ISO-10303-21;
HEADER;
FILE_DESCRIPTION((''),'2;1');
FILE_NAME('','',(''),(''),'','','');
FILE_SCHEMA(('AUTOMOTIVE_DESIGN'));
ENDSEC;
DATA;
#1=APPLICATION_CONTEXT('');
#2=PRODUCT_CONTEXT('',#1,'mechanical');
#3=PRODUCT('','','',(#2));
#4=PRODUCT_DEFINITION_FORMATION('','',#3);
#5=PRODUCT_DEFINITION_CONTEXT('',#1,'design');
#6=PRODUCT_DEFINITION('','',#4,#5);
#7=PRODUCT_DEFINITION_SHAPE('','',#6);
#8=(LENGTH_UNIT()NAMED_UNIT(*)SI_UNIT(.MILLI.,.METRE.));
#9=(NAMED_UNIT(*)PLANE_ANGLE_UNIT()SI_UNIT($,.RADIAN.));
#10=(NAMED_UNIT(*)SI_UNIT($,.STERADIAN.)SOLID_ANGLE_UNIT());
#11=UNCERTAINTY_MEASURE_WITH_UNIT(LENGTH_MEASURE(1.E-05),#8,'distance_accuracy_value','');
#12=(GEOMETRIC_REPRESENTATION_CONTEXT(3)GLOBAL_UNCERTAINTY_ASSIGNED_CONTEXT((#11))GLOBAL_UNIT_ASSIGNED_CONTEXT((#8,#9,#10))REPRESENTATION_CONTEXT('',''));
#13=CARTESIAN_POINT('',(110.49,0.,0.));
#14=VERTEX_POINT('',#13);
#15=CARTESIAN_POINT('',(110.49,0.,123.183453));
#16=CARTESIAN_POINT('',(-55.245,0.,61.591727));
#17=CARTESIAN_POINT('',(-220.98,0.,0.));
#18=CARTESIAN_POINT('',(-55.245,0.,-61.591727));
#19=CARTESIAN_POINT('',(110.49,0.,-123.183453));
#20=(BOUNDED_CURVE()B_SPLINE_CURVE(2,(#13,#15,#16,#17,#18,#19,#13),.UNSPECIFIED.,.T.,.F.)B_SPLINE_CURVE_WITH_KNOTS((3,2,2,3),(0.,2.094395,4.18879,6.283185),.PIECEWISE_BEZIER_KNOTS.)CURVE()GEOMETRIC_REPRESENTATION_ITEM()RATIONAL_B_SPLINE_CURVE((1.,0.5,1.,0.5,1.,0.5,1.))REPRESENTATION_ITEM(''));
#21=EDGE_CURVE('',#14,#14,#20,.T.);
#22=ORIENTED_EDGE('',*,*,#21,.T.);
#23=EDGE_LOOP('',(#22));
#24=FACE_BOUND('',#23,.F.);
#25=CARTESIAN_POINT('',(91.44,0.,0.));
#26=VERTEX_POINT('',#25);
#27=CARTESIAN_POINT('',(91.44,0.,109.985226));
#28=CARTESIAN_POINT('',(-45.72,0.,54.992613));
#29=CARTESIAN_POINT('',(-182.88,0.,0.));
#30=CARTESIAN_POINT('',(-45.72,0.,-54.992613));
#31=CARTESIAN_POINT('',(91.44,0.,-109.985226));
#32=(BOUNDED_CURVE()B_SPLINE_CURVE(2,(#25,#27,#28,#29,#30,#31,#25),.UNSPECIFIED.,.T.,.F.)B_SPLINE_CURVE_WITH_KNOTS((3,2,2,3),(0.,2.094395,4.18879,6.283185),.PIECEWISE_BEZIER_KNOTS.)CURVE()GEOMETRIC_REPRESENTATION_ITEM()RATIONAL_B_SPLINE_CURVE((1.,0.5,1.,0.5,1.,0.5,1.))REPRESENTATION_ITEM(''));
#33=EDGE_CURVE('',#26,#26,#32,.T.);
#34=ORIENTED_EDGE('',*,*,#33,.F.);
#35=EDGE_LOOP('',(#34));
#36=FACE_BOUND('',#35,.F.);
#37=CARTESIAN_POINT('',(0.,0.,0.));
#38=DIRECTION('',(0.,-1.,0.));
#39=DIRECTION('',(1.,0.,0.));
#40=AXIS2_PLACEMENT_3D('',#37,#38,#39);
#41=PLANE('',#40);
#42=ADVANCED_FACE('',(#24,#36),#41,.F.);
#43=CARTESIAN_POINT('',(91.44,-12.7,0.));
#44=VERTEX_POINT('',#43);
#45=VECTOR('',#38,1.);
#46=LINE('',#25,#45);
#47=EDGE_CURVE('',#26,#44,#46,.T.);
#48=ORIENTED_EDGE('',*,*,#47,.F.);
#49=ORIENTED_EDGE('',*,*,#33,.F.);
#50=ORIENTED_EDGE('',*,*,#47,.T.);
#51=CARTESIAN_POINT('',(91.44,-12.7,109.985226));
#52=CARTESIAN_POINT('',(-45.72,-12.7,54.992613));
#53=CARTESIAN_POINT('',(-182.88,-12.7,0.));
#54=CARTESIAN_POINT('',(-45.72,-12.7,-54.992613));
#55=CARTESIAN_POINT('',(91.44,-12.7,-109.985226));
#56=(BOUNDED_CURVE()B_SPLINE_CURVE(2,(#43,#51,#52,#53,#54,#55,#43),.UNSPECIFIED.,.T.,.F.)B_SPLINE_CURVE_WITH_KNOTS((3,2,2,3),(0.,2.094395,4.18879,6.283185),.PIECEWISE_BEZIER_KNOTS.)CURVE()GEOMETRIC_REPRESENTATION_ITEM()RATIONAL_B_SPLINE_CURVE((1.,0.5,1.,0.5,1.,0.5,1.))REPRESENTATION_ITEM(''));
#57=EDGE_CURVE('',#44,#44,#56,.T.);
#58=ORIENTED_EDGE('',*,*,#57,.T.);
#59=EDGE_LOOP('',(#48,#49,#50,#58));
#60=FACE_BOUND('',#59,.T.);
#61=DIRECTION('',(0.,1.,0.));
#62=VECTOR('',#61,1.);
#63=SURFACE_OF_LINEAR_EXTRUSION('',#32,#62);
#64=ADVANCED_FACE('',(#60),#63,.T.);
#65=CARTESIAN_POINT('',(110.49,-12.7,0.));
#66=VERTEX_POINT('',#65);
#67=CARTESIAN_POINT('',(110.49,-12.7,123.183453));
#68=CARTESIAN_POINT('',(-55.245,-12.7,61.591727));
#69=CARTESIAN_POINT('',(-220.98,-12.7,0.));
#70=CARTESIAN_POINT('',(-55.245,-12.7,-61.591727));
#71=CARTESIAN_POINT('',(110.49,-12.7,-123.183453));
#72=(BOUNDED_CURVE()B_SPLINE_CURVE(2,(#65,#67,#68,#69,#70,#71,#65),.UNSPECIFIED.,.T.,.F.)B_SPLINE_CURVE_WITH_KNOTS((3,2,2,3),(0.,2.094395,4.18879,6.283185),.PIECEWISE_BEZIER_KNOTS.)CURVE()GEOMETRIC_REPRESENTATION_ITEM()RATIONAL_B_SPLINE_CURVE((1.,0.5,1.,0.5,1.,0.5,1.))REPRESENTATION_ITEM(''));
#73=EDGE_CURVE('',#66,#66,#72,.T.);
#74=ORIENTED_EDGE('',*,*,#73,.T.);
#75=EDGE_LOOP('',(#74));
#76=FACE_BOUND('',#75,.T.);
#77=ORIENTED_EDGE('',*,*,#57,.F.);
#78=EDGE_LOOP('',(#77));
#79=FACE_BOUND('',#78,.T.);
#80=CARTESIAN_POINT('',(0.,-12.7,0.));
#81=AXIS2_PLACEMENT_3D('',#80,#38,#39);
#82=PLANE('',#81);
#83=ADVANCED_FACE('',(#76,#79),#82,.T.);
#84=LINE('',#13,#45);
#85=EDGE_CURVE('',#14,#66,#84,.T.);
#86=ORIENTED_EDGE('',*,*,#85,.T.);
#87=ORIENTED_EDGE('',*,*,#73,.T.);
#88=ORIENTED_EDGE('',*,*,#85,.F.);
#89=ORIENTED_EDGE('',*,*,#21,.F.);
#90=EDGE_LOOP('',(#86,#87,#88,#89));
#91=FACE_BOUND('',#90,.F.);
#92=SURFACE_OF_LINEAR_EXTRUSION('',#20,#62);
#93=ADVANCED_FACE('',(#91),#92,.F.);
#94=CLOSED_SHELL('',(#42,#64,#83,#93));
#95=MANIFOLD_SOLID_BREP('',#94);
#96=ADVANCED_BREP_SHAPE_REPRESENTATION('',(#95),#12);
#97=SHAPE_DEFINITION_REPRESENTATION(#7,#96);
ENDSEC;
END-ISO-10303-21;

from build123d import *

# Parameters (mm, degrees)
F1_DEPTH = 12.7


with BuildPart() as f1:
    # F0 (on Front) → F1 (new body)
    with BuildSketch(Plane.XZ):
        with BuildLine():
            add(Edge.make_bspline(
                [(110.49, 0), (110.49, 123.183453), (-55.245, 61.591727), (-220.98, 0), (-55.245, -61.591727), (110.49, -123.183453), (110.49, 0)],
                knots=[0, 0, 0, 2.094395, 2.094395, 4.18879, 4.18879, 6.283185, 6.283185, 6.283185], degree=2, weights=[1, 0.5, 1, 0.5, 1, 0.5, 1]))
        make_face()
        with BuildLine():
            add(Edge.make_bspline(
                [(91.44, 0), (91.44, 109.985226), (-45.72, 54.992613), (-182.88, 0), (-45.72, -54.992613), (91.44, -109.985226), (91.44, 0)],
                knots=[0, 0, 0, 2.094395, 2.094395, 4.18879, 4.18879, 6.283185, 6.283185, 6.283185], degree=2, weights=[1, 0.5, 1, 0.5, 1, 0.5, 1]))
        make_face(mode=Mode.SUBTRACT)
    extrude(amount=F1_DEPTH)


solid = f1.part
